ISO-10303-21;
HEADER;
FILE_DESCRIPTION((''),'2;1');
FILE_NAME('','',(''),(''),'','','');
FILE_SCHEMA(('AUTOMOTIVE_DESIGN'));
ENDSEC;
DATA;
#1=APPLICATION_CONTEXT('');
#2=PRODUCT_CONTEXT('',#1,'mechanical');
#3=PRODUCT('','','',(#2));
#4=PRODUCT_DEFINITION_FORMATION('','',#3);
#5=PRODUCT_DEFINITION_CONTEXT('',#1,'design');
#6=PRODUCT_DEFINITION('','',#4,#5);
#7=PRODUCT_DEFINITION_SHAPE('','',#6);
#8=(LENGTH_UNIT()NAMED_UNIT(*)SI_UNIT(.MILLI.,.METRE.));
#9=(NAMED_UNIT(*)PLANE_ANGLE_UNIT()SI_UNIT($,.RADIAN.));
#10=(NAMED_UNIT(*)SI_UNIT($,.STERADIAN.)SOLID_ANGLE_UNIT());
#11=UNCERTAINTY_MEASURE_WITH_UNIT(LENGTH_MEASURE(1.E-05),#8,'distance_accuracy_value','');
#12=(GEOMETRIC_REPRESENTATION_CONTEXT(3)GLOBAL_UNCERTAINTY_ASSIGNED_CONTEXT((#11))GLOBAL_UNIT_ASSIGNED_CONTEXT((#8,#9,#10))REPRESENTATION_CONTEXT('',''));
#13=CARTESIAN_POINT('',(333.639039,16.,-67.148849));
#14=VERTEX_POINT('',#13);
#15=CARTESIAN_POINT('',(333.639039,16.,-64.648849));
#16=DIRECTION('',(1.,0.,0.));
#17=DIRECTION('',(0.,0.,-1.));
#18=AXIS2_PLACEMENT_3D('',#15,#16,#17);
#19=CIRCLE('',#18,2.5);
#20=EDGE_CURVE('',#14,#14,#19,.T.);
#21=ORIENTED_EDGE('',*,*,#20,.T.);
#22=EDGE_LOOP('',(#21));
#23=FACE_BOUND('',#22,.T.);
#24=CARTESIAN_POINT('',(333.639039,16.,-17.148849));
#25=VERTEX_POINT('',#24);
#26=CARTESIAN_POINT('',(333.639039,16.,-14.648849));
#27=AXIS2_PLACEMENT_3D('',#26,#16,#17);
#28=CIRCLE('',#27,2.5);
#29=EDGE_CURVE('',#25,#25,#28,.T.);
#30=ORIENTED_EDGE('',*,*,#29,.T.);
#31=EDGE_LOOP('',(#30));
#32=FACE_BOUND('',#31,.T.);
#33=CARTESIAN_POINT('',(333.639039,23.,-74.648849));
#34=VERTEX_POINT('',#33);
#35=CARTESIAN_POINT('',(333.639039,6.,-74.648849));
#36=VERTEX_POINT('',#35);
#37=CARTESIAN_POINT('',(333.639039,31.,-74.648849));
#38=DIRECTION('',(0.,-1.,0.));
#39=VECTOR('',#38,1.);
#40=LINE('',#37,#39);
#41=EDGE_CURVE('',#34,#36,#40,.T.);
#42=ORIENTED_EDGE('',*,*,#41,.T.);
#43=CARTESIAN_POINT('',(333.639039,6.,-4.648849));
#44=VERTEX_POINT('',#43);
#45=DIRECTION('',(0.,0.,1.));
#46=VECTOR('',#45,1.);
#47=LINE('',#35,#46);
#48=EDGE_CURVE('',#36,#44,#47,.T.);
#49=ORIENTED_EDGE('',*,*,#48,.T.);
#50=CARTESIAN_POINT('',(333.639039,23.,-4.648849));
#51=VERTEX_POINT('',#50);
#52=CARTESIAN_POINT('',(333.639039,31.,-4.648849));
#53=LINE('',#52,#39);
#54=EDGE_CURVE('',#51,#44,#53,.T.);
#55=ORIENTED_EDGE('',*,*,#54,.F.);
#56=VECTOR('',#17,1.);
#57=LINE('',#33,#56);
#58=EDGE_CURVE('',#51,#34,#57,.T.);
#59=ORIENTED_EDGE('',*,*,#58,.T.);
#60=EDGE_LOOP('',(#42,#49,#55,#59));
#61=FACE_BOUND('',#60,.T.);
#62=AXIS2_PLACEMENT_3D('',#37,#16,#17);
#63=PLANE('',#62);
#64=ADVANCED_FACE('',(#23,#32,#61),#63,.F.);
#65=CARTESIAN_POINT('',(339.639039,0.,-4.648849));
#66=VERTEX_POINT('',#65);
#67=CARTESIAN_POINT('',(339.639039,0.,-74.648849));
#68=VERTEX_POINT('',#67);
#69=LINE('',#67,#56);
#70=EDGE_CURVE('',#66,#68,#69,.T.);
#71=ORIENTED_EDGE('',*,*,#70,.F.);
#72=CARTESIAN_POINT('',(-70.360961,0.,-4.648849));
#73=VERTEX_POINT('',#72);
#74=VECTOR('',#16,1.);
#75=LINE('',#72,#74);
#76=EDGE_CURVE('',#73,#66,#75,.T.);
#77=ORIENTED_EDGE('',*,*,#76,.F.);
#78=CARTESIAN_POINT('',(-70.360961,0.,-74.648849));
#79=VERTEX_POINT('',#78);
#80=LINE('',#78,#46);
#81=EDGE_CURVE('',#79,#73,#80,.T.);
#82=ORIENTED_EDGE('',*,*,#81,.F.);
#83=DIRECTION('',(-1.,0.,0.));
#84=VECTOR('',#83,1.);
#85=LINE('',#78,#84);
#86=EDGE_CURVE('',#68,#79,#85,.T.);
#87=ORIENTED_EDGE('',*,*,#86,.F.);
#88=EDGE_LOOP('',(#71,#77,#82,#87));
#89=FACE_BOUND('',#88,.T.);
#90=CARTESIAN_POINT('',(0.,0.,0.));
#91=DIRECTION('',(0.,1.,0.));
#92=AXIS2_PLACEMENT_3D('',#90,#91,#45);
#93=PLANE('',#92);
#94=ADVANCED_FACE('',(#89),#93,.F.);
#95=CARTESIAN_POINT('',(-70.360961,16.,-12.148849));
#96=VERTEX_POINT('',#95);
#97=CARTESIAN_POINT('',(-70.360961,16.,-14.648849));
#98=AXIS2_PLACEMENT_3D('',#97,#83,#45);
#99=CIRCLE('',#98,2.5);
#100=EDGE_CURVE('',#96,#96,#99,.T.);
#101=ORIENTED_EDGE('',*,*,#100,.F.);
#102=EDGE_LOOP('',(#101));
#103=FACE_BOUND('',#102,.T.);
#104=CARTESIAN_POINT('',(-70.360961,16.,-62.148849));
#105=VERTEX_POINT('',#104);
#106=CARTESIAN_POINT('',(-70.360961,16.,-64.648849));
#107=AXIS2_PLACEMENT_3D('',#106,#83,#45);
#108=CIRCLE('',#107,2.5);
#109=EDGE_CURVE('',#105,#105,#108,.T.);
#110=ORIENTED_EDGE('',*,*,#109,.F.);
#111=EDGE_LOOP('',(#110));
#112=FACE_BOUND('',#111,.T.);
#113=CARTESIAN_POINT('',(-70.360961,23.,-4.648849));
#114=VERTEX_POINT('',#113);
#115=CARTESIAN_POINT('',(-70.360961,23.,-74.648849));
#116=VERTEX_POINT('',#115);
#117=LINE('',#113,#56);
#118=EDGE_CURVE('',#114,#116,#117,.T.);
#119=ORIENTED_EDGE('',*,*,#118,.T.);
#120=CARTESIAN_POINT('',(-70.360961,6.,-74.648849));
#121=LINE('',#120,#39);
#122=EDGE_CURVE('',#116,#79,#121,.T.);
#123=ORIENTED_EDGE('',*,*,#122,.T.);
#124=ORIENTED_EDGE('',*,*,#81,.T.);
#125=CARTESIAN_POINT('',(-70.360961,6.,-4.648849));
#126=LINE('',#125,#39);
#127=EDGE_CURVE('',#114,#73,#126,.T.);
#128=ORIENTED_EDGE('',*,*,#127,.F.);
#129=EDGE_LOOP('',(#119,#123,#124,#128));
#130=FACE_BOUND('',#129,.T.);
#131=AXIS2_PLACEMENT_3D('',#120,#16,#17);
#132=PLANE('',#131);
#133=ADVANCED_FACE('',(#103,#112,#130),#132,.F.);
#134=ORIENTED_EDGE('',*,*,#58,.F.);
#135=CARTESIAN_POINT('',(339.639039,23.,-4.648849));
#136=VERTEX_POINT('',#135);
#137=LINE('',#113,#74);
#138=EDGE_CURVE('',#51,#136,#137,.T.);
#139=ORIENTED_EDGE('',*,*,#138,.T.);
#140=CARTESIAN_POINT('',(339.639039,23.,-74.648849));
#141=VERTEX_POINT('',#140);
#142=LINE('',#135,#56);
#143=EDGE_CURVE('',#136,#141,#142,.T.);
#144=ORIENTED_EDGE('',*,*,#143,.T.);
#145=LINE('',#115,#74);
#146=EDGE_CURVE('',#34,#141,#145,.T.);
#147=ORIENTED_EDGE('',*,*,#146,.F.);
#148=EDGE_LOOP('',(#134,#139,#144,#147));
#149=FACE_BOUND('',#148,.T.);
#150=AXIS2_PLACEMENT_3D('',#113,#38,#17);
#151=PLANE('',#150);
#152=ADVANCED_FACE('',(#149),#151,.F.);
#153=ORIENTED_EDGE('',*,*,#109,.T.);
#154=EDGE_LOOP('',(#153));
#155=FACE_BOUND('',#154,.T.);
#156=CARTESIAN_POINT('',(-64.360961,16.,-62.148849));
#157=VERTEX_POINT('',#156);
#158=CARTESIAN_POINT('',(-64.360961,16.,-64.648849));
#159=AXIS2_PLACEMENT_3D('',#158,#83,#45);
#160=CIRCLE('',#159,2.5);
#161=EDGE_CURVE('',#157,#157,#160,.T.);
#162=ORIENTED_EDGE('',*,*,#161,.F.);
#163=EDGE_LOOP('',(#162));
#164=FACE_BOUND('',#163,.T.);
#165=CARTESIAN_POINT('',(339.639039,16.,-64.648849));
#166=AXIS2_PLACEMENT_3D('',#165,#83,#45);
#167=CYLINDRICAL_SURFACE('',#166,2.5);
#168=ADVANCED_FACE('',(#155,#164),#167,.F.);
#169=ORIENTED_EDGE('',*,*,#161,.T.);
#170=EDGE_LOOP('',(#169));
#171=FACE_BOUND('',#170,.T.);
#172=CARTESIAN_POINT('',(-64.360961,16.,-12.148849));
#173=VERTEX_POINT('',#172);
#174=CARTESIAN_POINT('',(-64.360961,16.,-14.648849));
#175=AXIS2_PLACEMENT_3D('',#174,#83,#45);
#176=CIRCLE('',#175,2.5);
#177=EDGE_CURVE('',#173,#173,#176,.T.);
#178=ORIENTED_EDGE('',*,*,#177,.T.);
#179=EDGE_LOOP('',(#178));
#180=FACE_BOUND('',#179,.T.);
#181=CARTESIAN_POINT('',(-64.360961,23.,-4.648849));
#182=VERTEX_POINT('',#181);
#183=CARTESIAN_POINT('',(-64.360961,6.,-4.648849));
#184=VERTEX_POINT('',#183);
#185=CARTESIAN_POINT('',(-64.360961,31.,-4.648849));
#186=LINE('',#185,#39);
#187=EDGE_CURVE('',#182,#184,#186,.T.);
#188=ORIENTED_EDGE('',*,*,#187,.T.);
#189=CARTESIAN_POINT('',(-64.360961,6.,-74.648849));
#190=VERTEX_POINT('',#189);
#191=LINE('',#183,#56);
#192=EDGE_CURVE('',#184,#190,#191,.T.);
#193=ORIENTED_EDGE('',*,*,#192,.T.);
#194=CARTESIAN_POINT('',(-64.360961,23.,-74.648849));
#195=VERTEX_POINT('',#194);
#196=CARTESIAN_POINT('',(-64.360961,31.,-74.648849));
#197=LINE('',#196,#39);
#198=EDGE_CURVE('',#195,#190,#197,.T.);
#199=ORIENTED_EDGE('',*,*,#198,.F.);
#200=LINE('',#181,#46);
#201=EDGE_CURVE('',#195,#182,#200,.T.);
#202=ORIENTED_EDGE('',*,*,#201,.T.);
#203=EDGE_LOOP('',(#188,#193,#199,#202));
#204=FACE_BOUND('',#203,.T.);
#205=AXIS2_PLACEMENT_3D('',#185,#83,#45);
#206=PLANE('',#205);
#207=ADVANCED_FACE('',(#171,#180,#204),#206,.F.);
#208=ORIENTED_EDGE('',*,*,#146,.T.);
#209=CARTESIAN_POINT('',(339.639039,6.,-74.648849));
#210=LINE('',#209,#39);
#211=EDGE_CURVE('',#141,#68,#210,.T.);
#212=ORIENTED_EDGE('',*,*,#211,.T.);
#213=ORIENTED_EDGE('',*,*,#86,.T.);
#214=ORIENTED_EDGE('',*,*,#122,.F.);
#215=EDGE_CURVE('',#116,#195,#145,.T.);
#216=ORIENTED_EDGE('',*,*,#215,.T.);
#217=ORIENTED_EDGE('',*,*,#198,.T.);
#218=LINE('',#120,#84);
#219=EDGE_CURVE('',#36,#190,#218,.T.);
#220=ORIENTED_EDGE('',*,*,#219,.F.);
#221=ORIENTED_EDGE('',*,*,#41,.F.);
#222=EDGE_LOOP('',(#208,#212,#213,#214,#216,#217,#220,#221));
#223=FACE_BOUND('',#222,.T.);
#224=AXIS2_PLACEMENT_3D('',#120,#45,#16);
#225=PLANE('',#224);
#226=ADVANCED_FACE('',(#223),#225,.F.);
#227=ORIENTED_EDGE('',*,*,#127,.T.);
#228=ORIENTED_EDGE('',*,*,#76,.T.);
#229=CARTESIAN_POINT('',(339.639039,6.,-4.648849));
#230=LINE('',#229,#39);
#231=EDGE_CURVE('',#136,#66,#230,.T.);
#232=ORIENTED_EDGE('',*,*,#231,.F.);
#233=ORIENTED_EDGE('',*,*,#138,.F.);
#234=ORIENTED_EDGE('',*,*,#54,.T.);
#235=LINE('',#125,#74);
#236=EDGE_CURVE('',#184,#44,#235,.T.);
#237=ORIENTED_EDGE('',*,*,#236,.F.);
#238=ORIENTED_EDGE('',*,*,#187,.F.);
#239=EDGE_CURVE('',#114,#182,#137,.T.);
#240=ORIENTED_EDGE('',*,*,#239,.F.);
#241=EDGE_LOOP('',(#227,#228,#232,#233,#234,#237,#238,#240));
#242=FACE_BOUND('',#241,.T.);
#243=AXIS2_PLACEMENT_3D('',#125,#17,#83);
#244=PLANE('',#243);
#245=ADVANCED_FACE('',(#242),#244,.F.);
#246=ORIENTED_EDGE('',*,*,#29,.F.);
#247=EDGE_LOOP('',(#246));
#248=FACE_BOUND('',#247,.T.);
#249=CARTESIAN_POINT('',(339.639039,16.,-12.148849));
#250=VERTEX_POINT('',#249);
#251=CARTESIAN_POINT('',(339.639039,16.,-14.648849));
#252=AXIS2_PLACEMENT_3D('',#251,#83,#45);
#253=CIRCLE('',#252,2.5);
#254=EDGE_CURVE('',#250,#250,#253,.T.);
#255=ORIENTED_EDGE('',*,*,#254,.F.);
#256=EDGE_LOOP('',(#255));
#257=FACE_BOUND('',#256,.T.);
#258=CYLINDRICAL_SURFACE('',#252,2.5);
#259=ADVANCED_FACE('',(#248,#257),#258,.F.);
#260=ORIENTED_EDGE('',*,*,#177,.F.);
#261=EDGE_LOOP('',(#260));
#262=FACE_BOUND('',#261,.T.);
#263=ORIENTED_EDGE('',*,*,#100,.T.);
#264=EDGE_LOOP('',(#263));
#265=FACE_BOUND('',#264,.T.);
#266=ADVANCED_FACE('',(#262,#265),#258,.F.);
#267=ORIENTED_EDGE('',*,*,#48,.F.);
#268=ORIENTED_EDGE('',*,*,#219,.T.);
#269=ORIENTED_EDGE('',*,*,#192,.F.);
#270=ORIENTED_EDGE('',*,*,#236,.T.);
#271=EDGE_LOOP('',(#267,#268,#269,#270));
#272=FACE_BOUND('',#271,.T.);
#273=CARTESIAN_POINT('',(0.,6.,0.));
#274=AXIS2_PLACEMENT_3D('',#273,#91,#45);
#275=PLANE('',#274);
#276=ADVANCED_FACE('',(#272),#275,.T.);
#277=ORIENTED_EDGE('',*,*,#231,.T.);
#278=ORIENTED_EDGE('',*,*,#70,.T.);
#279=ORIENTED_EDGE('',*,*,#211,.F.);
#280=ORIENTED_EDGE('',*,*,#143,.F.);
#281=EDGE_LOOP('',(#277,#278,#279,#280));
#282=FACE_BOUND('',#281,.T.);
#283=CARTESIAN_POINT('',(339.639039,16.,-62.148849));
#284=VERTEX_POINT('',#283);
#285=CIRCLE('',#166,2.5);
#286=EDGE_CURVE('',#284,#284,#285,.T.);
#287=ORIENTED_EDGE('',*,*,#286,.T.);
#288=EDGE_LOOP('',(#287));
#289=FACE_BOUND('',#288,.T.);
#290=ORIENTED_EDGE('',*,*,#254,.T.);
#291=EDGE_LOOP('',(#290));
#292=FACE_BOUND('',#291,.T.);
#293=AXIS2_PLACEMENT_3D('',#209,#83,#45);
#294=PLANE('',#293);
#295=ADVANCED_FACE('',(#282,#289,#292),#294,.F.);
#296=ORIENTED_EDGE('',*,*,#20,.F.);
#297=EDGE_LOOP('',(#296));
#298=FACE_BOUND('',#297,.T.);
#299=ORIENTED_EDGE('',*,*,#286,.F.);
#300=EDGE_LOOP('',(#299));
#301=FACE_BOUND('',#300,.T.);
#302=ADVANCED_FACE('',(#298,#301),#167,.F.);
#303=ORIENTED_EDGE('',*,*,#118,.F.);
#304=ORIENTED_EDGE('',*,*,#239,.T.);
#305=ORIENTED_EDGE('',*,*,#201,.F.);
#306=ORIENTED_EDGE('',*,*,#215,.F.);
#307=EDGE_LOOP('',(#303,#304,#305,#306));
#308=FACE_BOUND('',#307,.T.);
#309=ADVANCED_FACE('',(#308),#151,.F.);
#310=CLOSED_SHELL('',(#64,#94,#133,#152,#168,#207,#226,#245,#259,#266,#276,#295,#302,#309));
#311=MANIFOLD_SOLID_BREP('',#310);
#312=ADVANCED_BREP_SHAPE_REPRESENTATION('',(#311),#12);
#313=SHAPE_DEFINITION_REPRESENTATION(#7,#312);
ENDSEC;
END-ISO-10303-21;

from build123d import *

# Parameters (mm, degrees)
SKETCH1_W           = 410
SKETCH1_H           = 70
BOSS_EXTRUDE1_DEPTH = 6
SKETCH2_W           = 6
SKETCH2_H           = 70
BOSS_EXTRUDE2_DEPTH = 25
SKETCH3_R           = 2.5
CUT_EXTRUDE1_DEPTH  = 418.891673384
SKETCH4_W           = 70
SKETCH4_H           = 8
CUT_EXTRUDE2_DEPTH  = 418.891673384


with BuildPart() as part:
    # Sketch1 → Boss-Extrude1 (new body)
    with BuildSketch(Plane(origin=(0, 0, 0), x_dir=(1, 0, 0), z_dir=(0, 1, 0))):
        with Locations((134.639039491, 39.648849176)):
            Rectangle(SKETCH1_W, SKETCH1_H)
    extrude(amount=BOSS_EXTRUDE1_DEPTH)

    # Sketch2 → Boss-Extrude2 (add)
    with BuildSketch(Plane(origin=(0, 6, 0), x_dir=(1, 0, 0), z_dir=(0, 1, 0))):
        with Locations((-67.360960509, 39.648849176)):
            Rectangle(SKETCH2_W, SKETCH2_H)
        with Locations((336.639039491, 39.648849176)):
            Rectangle(SKETCH2_W, SKETCH2_H)
    extrude(amount=BOSS_EXTRUDE2_DEPTH)

    # Sketch3 → Cut-Extrude1 (cut, through all)
    with BuildSketch(Plane.ZY.offset(70.360960509)):
        with Locations((-64.648849176, 16)):
            Circle(SKETCH3_R)
        with Locations((-14.648849176, 16)):
            Circle(SKETCH3_R)
    extrude(amount=-CUT_EXTRUDE1_DEPTH, mode=Mode.SUBTRACT)

    # Sketch4 → Cut-Extrude2 (cut, through all)
    with BuildSketch(Plane(origin=(339.639039491, 0, 0), x_dir=(0, 0, -1), z_dir=(1, 0, 0))):
        with Locations((39.648849176, 27)):
            Rectangle(SKETCH4_W, SKETCH4_H)
    extrude(amount=-CUT_EXTRUDE2_DEPTH, mode=Mode.SUBTRACT)


solid = part.part
